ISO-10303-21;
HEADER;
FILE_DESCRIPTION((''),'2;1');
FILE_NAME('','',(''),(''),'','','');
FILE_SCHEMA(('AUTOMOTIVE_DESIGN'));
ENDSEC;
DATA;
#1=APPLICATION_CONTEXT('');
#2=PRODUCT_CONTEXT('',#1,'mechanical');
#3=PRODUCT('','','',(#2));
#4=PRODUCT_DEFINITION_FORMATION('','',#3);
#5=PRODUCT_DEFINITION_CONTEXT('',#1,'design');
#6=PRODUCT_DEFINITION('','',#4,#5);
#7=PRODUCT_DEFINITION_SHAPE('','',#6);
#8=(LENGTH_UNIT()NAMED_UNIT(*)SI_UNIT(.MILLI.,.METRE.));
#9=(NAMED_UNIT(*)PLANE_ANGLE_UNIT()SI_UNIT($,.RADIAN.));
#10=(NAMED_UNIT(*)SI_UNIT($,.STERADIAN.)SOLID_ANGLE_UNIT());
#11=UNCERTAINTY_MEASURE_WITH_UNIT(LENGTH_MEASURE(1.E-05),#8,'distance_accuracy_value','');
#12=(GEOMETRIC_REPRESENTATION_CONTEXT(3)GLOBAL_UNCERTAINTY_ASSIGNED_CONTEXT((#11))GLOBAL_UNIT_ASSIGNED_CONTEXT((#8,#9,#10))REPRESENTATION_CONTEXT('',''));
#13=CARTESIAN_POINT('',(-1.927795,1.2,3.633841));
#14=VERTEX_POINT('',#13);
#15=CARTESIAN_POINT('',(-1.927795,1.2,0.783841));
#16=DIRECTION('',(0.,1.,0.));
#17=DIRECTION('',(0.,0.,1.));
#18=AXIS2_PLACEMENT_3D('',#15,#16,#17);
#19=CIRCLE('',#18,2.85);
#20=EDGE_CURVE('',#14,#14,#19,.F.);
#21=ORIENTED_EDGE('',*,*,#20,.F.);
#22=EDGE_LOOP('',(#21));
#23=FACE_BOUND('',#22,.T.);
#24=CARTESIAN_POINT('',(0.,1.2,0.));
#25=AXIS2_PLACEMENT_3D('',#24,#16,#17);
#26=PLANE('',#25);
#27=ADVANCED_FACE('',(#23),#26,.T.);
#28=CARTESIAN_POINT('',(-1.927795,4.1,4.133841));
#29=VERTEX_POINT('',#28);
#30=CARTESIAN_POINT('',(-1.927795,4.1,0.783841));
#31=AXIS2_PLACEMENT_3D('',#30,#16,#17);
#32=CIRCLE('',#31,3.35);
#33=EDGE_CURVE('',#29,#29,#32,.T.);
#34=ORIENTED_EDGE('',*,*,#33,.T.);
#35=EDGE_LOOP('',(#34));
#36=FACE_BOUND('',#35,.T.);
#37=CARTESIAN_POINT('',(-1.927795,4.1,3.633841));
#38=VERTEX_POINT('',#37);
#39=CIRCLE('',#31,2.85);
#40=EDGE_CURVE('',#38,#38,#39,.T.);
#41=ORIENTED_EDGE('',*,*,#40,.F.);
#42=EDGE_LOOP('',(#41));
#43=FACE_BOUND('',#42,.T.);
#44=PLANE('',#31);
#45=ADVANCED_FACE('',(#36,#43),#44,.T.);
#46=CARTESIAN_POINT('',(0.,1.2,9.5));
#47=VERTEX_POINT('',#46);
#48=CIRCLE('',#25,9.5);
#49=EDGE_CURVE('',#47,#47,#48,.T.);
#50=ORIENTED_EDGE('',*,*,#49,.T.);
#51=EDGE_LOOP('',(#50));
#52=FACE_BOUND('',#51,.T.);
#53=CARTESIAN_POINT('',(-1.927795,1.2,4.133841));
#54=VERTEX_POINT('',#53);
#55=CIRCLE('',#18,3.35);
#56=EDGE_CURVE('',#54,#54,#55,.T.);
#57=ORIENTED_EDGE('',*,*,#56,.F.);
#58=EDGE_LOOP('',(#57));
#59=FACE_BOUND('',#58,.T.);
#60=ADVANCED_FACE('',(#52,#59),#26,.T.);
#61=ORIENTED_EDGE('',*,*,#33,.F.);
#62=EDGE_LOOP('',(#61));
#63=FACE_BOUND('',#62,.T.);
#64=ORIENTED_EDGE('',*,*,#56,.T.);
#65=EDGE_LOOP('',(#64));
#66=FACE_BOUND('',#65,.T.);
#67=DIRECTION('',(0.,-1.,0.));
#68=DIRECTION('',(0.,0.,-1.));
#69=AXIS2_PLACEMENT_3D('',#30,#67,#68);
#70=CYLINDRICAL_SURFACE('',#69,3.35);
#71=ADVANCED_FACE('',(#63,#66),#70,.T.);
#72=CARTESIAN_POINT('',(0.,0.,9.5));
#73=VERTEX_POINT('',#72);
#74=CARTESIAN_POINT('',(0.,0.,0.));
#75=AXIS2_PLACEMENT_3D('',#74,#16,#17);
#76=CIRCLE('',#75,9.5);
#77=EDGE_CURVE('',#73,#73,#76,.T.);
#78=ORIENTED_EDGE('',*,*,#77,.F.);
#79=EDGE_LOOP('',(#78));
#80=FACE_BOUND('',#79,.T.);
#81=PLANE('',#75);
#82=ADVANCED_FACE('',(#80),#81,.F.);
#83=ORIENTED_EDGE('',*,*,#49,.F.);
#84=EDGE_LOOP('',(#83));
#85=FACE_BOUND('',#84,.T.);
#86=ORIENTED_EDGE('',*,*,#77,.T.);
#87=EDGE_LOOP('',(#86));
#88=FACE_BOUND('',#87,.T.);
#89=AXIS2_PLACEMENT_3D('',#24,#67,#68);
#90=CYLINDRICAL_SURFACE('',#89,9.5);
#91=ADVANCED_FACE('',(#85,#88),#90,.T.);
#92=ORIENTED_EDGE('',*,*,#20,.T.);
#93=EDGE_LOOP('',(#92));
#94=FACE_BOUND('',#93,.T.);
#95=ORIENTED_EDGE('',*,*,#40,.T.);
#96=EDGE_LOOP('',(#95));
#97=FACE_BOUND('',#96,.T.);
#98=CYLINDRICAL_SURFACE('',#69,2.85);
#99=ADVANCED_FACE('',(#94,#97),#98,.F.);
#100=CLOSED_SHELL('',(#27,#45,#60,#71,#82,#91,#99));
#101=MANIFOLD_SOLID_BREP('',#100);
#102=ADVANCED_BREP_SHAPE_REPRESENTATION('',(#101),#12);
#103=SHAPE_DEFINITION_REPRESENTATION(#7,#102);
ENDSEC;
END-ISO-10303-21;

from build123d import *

# Parameters (mm, degrees)
SKETCH1_R           = 9.5
BOSS_EXTRUDE1_DEPTH = 1.2
SKETCH2_R           = 3.35
SKETCH2_R_2         = 2.85
BOSS_EXTRUDE2_DEPTH = 2.9


with BuildPart() as part:
    # Sketch1 → Boss-Extrude1 (new body)
    with BuildSketch(Plane(origin=(0, 0, 0), x_dir=(1, 0, 0), z_dir=(0, 1, 0))):
        Circle(SKETCH1_R)
    extrude(amount=BOSS_EXTRUDE1_DEPTH)

    # Sketch2 → Boss-Extrude2 (add)
    with BuildSketch(Plane(origin=(0, 1.2, 0), x_dir=(1, 0, 0), z_dir=(0, 1, 0))):
        with Locations((-1.927795475, -0.783841227)):
            Circle(SKETCH2_R)
        with Locations((-1.927795475, -0.783841227)):
            Circle(SKETCH2_R_2, mode=Mode.SUBTRACT)
    extrude(amount=BOSS_EXTRUDE2_DEPTH)


solid = part.part
